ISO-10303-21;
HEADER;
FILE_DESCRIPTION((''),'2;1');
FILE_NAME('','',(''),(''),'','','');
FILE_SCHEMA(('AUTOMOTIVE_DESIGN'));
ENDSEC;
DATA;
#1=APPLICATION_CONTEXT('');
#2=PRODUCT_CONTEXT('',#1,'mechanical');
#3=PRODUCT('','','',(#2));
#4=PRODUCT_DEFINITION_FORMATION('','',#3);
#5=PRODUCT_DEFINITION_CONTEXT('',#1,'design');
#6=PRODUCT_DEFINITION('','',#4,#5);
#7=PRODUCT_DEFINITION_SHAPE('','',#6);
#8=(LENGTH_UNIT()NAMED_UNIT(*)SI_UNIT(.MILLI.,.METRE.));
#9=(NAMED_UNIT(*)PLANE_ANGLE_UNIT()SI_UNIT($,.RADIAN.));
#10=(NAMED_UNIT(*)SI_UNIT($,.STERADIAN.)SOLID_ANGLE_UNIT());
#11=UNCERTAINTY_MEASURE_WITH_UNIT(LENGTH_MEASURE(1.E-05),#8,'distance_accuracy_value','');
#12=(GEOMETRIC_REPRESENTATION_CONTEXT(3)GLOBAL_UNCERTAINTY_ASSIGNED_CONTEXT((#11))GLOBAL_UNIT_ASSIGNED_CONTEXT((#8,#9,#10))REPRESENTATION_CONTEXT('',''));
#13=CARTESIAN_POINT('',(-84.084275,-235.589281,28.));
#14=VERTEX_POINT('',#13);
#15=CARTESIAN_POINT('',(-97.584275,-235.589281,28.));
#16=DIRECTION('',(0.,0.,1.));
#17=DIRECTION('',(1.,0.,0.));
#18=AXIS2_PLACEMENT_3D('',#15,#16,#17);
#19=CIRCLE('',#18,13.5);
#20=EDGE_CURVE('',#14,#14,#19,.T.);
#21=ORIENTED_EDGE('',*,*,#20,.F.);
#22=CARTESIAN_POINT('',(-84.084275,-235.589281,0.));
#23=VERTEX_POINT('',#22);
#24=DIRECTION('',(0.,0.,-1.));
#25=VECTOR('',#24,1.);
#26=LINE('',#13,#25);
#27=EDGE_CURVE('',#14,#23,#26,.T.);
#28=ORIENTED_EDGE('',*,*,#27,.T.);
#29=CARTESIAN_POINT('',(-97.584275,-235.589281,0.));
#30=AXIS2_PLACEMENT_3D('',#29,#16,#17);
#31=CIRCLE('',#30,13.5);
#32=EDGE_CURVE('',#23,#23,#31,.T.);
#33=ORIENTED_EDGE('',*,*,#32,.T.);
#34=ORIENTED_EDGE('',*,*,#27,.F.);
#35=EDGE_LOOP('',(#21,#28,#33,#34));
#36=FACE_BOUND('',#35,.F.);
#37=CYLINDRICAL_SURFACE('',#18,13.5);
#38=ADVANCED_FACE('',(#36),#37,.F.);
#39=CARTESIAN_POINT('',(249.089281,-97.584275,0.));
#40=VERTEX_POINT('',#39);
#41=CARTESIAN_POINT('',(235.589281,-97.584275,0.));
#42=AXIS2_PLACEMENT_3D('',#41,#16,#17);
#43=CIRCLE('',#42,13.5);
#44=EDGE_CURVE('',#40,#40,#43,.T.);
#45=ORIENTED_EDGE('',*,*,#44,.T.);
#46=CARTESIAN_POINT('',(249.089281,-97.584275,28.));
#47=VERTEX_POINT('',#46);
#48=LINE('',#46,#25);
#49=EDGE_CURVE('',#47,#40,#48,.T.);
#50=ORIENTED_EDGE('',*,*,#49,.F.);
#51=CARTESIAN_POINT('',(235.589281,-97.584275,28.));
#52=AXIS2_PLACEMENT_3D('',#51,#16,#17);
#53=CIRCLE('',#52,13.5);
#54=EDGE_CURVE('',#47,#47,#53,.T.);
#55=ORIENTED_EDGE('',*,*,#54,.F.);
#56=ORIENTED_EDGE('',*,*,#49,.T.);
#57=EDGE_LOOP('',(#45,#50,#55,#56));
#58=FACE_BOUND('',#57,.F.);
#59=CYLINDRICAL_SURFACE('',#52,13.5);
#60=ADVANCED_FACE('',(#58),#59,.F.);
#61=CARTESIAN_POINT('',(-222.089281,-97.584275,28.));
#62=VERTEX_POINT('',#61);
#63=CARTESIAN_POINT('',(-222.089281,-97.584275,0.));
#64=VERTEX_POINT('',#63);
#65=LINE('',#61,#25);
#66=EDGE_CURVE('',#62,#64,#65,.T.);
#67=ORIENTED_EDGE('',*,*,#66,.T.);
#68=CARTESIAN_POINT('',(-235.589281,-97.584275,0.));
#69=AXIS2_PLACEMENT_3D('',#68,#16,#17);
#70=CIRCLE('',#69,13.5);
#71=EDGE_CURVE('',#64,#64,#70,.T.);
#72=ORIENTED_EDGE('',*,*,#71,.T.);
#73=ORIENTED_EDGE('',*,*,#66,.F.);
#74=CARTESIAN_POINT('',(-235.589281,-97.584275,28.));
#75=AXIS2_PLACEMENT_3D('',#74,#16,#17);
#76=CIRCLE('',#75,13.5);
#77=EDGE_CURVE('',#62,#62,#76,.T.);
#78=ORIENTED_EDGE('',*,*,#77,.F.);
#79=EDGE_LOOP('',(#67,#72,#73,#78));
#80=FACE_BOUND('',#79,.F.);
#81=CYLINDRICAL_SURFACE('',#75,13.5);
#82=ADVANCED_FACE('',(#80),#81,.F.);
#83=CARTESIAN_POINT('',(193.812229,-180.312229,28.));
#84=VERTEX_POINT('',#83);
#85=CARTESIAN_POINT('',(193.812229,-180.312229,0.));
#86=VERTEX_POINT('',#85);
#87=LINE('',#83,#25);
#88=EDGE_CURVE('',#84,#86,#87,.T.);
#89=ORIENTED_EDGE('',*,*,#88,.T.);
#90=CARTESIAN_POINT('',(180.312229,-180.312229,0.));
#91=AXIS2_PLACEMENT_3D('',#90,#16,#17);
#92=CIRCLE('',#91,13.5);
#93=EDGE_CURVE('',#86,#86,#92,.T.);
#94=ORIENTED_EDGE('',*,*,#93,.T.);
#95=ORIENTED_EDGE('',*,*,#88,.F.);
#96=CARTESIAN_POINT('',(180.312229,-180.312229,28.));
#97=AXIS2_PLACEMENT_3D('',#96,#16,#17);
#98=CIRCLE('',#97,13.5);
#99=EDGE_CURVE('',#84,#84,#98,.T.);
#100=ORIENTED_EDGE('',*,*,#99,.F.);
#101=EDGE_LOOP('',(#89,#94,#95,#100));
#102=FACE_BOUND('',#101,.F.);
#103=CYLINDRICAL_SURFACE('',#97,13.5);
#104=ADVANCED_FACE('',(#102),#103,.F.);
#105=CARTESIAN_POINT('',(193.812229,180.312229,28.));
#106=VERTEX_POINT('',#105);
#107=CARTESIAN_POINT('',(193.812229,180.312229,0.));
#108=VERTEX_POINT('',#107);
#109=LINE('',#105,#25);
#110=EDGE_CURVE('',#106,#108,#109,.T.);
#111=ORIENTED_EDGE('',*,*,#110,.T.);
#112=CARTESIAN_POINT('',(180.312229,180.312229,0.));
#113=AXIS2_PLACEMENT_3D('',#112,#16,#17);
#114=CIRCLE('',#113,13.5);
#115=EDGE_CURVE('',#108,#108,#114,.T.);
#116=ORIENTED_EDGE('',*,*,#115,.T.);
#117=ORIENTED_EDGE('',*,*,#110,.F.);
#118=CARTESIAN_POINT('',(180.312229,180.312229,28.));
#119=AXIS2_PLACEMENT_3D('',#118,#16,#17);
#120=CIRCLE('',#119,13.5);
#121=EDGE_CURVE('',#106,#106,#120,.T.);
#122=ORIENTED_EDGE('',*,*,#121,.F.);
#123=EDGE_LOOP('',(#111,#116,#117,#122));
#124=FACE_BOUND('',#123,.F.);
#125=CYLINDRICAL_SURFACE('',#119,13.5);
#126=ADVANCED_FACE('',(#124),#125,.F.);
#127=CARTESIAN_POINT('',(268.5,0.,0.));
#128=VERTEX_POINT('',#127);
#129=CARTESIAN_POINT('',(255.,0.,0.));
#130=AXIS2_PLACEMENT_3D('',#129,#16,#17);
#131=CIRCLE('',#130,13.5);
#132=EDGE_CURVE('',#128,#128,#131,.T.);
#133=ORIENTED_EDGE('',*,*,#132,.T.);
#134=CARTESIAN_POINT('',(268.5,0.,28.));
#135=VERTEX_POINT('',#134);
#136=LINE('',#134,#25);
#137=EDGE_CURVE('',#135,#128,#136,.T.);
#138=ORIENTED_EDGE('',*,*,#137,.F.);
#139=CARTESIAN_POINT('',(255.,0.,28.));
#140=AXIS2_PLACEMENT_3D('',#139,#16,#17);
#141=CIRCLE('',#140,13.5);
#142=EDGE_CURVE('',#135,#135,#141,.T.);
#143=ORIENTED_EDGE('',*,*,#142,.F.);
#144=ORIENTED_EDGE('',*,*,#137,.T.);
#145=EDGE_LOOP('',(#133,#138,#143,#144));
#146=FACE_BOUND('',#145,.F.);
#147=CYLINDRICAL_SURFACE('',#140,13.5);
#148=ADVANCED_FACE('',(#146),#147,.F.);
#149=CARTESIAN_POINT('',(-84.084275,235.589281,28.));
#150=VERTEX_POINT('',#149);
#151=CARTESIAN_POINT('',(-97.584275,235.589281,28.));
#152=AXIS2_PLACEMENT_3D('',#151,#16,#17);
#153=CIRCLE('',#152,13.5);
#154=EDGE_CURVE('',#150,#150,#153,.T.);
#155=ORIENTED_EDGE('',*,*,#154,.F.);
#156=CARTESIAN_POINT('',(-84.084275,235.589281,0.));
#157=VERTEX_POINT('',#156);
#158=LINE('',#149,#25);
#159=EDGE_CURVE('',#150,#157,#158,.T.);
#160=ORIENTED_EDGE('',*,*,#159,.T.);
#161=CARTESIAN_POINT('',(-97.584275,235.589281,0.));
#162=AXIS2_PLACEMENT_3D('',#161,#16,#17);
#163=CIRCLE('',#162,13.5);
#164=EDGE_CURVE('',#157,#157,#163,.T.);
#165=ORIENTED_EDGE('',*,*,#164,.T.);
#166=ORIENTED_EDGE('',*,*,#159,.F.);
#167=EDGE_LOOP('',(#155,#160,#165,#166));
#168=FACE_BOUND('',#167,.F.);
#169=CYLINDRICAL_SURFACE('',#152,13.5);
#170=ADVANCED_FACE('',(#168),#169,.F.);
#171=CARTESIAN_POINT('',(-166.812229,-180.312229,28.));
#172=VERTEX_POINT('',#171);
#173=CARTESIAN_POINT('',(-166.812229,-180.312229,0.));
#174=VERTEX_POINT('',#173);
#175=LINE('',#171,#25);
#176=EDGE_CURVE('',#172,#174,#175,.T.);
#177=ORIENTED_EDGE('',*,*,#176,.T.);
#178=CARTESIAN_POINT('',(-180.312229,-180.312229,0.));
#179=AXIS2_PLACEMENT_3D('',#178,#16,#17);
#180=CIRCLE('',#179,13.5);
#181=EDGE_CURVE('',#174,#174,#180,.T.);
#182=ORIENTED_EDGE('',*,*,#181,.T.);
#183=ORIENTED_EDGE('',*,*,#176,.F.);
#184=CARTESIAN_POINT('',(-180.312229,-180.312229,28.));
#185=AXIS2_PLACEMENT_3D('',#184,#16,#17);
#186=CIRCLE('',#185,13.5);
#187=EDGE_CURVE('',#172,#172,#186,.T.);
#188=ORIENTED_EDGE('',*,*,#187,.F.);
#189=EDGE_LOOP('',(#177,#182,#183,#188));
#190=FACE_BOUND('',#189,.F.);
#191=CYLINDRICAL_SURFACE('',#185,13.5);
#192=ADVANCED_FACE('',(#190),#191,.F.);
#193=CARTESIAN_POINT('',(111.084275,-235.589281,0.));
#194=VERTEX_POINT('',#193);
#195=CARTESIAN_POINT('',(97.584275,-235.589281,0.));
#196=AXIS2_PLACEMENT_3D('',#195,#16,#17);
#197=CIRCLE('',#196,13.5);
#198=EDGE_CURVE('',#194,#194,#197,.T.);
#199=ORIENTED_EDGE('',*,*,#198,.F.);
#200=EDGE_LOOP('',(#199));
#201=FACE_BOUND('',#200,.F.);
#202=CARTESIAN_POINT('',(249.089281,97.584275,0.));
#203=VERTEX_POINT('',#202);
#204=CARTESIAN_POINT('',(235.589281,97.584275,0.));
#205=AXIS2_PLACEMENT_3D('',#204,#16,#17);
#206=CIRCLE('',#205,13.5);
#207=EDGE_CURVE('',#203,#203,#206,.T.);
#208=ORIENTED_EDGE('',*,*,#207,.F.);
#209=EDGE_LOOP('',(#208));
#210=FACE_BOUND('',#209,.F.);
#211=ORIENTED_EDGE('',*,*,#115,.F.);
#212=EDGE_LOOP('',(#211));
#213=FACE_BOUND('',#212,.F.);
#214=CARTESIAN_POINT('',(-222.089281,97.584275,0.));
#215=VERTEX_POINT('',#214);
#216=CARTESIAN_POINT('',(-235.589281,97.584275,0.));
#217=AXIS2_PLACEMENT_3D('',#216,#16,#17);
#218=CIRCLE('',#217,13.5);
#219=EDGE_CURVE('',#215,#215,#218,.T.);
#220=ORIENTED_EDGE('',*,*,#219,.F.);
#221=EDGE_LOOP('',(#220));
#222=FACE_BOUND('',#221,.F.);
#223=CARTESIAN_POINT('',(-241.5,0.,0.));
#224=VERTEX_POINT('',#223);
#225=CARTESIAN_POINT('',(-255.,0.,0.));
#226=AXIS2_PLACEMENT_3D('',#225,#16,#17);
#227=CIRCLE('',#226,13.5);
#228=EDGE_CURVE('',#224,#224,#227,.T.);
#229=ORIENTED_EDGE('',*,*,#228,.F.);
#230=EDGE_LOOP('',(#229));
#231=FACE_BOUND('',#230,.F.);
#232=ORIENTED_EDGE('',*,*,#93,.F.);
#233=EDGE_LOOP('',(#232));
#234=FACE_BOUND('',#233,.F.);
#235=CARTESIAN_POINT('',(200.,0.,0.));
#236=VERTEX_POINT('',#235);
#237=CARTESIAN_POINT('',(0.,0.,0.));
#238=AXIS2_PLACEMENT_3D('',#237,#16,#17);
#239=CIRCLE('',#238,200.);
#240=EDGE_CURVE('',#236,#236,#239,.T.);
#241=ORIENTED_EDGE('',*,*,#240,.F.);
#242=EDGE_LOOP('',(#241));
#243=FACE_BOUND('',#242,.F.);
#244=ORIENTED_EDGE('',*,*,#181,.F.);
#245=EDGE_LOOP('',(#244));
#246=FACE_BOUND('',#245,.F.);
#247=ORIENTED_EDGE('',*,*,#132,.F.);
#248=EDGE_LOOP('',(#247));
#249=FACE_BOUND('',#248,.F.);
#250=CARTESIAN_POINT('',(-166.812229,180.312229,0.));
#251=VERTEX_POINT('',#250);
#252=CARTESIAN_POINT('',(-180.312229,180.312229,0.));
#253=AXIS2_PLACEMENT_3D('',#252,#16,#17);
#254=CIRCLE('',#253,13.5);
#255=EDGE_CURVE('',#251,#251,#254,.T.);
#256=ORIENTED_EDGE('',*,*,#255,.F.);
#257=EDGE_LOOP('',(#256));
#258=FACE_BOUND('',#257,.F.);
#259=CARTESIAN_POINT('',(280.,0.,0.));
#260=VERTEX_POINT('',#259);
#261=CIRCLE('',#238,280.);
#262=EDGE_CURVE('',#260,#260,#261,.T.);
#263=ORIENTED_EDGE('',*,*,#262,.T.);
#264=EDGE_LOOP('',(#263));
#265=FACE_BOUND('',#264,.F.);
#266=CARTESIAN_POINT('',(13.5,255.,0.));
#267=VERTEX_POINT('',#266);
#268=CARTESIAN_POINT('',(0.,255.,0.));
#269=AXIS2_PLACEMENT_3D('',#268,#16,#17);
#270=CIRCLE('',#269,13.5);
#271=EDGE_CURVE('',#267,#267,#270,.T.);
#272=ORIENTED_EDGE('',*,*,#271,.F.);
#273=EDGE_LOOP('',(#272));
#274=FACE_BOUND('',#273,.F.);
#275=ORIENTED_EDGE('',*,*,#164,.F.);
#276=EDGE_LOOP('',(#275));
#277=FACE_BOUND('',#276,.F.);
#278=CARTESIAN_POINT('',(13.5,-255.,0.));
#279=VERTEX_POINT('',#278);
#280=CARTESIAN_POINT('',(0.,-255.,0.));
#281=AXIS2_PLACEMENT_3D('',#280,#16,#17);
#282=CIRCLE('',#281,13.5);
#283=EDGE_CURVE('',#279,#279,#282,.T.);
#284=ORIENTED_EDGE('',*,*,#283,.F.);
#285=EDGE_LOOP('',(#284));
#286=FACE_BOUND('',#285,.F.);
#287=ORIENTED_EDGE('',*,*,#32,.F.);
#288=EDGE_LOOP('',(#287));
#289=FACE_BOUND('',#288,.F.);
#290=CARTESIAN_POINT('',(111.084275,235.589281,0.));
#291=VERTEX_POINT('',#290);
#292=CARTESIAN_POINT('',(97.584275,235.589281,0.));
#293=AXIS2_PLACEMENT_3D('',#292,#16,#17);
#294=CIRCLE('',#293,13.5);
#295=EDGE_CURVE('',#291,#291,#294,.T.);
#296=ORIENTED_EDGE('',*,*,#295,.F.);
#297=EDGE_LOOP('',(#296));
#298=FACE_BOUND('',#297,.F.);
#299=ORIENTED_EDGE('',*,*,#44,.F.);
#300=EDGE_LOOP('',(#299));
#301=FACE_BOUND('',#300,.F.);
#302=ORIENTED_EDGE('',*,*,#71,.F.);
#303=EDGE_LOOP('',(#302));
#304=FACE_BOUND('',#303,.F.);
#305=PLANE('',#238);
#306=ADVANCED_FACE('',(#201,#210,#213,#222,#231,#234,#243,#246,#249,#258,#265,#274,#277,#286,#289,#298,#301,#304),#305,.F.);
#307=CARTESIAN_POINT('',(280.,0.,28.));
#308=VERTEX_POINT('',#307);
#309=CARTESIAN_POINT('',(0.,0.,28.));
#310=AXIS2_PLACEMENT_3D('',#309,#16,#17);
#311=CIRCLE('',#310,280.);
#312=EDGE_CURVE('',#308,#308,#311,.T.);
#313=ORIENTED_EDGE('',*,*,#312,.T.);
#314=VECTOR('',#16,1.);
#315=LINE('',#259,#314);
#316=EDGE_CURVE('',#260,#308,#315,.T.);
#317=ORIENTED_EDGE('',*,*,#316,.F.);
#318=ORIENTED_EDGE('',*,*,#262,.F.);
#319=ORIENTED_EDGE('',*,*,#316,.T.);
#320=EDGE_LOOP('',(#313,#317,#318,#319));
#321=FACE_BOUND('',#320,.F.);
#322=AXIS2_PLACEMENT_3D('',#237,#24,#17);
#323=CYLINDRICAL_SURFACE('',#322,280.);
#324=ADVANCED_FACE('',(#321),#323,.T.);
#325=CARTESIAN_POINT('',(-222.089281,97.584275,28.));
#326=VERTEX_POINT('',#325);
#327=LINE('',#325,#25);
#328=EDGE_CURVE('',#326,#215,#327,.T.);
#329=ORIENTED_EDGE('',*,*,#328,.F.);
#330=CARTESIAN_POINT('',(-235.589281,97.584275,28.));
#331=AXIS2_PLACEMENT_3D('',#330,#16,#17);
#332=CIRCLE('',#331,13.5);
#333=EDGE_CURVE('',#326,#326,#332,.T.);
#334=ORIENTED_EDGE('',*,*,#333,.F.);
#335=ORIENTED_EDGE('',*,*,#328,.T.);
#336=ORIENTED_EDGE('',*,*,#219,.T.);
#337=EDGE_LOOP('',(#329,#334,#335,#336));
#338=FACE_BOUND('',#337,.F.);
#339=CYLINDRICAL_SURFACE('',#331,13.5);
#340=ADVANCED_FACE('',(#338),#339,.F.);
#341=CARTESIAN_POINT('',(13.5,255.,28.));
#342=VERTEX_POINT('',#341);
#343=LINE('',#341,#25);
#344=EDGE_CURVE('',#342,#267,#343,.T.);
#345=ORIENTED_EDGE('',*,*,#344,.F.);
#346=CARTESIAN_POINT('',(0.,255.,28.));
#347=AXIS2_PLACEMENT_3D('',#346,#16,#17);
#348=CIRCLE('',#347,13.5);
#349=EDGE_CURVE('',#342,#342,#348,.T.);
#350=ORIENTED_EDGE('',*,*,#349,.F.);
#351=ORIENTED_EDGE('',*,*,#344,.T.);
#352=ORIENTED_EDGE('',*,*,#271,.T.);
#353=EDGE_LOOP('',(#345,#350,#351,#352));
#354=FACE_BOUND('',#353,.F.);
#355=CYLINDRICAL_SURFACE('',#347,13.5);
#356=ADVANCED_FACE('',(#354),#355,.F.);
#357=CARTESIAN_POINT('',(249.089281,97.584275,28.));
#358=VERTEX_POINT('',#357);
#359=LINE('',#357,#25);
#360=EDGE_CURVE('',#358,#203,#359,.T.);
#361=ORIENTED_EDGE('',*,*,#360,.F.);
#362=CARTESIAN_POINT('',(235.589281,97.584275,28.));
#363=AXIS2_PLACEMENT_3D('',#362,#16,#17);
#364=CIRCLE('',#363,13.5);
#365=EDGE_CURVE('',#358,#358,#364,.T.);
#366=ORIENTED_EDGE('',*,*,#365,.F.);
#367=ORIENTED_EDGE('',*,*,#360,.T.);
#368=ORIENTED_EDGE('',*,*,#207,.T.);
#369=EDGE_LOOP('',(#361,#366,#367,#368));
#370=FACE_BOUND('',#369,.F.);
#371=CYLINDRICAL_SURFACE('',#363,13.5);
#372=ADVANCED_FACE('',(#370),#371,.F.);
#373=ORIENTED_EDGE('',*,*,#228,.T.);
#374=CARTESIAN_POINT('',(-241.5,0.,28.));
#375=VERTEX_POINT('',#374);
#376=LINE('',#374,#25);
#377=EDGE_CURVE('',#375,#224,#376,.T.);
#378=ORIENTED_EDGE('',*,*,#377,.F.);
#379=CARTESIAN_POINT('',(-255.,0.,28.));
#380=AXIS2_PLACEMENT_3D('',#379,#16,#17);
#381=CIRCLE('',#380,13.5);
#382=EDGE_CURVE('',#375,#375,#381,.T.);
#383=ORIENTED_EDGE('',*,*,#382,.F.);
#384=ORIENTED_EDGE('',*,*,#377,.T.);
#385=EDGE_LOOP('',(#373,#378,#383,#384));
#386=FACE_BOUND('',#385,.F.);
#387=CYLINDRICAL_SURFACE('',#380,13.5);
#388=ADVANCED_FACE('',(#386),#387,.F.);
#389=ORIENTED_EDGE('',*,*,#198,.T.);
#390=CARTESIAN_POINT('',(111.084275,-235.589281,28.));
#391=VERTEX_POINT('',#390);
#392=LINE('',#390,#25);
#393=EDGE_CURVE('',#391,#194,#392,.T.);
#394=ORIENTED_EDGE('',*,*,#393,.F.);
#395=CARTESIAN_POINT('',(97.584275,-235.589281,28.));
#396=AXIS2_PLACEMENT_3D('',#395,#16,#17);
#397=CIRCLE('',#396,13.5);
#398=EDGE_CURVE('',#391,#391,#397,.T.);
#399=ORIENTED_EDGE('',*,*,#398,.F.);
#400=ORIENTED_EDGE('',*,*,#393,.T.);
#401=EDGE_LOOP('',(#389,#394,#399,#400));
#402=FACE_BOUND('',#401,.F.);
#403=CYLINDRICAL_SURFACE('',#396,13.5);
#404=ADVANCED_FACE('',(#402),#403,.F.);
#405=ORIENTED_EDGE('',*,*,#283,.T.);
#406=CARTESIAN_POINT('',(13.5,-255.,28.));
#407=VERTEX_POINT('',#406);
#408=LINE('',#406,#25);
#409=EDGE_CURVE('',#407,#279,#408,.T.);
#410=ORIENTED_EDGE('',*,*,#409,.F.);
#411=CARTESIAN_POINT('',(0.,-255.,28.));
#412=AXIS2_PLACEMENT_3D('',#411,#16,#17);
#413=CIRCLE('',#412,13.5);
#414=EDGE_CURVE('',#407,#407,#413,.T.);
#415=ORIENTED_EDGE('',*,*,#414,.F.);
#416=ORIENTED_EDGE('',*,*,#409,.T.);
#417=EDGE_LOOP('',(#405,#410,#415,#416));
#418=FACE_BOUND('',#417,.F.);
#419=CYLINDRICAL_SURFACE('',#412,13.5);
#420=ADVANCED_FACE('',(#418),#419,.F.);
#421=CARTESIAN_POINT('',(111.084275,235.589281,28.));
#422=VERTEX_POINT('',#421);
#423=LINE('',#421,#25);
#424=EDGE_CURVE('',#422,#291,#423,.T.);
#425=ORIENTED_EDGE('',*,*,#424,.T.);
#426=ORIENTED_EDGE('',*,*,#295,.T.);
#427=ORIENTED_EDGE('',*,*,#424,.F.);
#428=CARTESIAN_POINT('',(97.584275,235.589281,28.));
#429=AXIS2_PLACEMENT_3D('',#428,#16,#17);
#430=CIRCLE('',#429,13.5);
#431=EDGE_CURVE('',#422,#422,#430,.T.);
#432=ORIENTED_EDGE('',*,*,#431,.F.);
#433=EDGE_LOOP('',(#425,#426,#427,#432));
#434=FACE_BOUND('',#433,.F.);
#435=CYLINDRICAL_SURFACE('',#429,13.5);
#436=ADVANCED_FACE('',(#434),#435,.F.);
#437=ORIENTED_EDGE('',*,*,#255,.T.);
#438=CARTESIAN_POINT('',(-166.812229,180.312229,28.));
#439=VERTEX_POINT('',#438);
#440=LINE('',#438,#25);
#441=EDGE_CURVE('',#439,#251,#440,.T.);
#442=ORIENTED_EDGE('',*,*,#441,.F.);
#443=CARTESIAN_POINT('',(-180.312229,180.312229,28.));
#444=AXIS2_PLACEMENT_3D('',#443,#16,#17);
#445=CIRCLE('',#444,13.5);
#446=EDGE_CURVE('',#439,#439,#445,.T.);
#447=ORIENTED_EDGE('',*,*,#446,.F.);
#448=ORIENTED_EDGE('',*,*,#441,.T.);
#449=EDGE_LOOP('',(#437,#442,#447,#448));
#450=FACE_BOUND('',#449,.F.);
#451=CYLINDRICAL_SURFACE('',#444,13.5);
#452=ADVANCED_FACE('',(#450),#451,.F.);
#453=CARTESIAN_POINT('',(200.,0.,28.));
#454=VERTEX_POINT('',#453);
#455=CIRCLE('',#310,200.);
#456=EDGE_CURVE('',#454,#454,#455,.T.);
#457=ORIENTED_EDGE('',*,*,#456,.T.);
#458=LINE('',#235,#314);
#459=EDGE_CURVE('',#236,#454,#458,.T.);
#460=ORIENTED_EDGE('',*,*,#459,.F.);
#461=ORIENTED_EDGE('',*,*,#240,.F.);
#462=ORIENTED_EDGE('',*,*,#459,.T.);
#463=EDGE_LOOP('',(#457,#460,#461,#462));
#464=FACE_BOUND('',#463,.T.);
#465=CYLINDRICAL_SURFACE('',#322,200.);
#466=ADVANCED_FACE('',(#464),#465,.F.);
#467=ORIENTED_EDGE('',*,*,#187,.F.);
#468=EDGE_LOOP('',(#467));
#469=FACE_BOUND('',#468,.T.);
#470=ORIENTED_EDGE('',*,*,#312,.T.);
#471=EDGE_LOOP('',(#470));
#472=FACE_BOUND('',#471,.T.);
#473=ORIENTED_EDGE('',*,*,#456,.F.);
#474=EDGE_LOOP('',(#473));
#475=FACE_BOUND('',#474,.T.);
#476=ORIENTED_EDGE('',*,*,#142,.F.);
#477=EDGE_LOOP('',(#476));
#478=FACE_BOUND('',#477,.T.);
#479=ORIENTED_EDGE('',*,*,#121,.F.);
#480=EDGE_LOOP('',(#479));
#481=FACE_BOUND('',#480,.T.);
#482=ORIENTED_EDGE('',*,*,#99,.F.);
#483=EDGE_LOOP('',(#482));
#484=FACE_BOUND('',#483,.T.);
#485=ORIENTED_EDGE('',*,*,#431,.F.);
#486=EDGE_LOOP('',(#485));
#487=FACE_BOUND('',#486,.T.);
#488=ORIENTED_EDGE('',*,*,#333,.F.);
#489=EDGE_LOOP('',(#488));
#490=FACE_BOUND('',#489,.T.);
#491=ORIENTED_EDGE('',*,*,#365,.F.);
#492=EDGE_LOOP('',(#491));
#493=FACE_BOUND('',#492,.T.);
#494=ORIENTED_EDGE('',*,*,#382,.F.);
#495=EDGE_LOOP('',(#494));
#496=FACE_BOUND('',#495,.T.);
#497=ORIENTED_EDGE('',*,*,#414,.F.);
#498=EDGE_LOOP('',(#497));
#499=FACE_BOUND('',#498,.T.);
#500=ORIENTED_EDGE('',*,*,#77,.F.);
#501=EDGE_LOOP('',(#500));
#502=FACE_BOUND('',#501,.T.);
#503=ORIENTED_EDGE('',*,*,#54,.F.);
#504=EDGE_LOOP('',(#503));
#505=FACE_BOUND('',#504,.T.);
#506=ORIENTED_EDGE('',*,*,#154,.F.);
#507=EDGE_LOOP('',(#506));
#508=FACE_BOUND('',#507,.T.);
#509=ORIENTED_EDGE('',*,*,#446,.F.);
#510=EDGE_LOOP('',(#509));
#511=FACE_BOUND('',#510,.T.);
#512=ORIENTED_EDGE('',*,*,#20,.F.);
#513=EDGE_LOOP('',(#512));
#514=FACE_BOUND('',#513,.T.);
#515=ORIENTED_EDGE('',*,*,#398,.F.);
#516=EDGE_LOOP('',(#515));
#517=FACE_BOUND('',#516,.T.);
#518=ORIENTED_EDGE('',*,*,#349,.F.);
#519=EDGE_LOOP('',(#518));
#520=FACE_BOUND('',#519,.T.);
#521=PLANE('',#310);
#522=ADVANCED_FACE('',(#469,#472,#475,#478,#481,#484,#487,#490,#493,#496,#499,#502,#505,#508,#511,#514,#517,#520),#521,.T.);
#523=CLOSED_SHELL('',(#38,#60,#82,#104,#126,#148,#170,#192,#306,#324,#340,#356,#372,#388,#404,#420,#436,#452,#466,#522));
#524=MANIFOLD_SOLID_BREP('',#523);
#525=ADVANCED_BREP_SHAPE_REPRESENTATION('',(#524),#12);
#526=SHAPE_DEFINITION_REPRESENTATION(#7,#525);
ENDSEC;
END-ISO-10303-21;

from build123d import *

# Parameters (mm, degrees)
F0_R     = 280
F0_R_2   = 200
F1_DEPTH = 28
F2_R     = 13.5
F3_DEPTH = 28


with BuildPart() as f1:
    # F0 (on Top) → F1 (new body)
    with BuildSketch(Plane.XY):
        Circle(F0_R)
        Circle(F0_R_2, mode=Mode.SUBTRACT)
    extrude(amount=F1_DEPTH)

    # F2 (on face) → F3 (cut, through all)
    with BuildSketch(Plane.XY.offset(28)):
        with Locations((255, 0)):
            Circle(F2_R)
        with Locations((235.589281, 97.584275)):
            Circle(F2_R)
        with Locations((180.312229, 180.312229)):
            Circle(F2_R)
        with Locations((97.584275, 235.589281)):
            Circle(F2_R)
        with Locations((0, 255)):
            Circle(F2_R)
        with Locations((-97.584275, 235.589281)):
            Circle(F2_R)
        with Locations((-180.312229, 180.312229)):
            Circle(F2_R)
        with Locations((-235.589281, 97.584275)):
            Circle(F2_R)
        with Locations((-255, 0)):
            Circle(F2_R)
        with Locations((-235.589281, -97.584275)):
            Circle(F2_R)
        with Locations((-180.312229, -180.312229)):
            Circle(F2_R)
        with Locations((-97.584275, -235.589281)):
            Circle(F2_R)
        with Locations((0, -255)):
            Circle(F2_R)
        with Locations((97.584275, -235.589281)):
            Circle(F2_R)
        with Locations((180.312229, -180.312229)):
            Circle(F2_R)
        with Locations((235.589281, -97.584275)):
            Circle(F2_R)
    extrude(amount=-F3_DEPTH, mode=Mode.SUBTRACT)


solid = f1.part
